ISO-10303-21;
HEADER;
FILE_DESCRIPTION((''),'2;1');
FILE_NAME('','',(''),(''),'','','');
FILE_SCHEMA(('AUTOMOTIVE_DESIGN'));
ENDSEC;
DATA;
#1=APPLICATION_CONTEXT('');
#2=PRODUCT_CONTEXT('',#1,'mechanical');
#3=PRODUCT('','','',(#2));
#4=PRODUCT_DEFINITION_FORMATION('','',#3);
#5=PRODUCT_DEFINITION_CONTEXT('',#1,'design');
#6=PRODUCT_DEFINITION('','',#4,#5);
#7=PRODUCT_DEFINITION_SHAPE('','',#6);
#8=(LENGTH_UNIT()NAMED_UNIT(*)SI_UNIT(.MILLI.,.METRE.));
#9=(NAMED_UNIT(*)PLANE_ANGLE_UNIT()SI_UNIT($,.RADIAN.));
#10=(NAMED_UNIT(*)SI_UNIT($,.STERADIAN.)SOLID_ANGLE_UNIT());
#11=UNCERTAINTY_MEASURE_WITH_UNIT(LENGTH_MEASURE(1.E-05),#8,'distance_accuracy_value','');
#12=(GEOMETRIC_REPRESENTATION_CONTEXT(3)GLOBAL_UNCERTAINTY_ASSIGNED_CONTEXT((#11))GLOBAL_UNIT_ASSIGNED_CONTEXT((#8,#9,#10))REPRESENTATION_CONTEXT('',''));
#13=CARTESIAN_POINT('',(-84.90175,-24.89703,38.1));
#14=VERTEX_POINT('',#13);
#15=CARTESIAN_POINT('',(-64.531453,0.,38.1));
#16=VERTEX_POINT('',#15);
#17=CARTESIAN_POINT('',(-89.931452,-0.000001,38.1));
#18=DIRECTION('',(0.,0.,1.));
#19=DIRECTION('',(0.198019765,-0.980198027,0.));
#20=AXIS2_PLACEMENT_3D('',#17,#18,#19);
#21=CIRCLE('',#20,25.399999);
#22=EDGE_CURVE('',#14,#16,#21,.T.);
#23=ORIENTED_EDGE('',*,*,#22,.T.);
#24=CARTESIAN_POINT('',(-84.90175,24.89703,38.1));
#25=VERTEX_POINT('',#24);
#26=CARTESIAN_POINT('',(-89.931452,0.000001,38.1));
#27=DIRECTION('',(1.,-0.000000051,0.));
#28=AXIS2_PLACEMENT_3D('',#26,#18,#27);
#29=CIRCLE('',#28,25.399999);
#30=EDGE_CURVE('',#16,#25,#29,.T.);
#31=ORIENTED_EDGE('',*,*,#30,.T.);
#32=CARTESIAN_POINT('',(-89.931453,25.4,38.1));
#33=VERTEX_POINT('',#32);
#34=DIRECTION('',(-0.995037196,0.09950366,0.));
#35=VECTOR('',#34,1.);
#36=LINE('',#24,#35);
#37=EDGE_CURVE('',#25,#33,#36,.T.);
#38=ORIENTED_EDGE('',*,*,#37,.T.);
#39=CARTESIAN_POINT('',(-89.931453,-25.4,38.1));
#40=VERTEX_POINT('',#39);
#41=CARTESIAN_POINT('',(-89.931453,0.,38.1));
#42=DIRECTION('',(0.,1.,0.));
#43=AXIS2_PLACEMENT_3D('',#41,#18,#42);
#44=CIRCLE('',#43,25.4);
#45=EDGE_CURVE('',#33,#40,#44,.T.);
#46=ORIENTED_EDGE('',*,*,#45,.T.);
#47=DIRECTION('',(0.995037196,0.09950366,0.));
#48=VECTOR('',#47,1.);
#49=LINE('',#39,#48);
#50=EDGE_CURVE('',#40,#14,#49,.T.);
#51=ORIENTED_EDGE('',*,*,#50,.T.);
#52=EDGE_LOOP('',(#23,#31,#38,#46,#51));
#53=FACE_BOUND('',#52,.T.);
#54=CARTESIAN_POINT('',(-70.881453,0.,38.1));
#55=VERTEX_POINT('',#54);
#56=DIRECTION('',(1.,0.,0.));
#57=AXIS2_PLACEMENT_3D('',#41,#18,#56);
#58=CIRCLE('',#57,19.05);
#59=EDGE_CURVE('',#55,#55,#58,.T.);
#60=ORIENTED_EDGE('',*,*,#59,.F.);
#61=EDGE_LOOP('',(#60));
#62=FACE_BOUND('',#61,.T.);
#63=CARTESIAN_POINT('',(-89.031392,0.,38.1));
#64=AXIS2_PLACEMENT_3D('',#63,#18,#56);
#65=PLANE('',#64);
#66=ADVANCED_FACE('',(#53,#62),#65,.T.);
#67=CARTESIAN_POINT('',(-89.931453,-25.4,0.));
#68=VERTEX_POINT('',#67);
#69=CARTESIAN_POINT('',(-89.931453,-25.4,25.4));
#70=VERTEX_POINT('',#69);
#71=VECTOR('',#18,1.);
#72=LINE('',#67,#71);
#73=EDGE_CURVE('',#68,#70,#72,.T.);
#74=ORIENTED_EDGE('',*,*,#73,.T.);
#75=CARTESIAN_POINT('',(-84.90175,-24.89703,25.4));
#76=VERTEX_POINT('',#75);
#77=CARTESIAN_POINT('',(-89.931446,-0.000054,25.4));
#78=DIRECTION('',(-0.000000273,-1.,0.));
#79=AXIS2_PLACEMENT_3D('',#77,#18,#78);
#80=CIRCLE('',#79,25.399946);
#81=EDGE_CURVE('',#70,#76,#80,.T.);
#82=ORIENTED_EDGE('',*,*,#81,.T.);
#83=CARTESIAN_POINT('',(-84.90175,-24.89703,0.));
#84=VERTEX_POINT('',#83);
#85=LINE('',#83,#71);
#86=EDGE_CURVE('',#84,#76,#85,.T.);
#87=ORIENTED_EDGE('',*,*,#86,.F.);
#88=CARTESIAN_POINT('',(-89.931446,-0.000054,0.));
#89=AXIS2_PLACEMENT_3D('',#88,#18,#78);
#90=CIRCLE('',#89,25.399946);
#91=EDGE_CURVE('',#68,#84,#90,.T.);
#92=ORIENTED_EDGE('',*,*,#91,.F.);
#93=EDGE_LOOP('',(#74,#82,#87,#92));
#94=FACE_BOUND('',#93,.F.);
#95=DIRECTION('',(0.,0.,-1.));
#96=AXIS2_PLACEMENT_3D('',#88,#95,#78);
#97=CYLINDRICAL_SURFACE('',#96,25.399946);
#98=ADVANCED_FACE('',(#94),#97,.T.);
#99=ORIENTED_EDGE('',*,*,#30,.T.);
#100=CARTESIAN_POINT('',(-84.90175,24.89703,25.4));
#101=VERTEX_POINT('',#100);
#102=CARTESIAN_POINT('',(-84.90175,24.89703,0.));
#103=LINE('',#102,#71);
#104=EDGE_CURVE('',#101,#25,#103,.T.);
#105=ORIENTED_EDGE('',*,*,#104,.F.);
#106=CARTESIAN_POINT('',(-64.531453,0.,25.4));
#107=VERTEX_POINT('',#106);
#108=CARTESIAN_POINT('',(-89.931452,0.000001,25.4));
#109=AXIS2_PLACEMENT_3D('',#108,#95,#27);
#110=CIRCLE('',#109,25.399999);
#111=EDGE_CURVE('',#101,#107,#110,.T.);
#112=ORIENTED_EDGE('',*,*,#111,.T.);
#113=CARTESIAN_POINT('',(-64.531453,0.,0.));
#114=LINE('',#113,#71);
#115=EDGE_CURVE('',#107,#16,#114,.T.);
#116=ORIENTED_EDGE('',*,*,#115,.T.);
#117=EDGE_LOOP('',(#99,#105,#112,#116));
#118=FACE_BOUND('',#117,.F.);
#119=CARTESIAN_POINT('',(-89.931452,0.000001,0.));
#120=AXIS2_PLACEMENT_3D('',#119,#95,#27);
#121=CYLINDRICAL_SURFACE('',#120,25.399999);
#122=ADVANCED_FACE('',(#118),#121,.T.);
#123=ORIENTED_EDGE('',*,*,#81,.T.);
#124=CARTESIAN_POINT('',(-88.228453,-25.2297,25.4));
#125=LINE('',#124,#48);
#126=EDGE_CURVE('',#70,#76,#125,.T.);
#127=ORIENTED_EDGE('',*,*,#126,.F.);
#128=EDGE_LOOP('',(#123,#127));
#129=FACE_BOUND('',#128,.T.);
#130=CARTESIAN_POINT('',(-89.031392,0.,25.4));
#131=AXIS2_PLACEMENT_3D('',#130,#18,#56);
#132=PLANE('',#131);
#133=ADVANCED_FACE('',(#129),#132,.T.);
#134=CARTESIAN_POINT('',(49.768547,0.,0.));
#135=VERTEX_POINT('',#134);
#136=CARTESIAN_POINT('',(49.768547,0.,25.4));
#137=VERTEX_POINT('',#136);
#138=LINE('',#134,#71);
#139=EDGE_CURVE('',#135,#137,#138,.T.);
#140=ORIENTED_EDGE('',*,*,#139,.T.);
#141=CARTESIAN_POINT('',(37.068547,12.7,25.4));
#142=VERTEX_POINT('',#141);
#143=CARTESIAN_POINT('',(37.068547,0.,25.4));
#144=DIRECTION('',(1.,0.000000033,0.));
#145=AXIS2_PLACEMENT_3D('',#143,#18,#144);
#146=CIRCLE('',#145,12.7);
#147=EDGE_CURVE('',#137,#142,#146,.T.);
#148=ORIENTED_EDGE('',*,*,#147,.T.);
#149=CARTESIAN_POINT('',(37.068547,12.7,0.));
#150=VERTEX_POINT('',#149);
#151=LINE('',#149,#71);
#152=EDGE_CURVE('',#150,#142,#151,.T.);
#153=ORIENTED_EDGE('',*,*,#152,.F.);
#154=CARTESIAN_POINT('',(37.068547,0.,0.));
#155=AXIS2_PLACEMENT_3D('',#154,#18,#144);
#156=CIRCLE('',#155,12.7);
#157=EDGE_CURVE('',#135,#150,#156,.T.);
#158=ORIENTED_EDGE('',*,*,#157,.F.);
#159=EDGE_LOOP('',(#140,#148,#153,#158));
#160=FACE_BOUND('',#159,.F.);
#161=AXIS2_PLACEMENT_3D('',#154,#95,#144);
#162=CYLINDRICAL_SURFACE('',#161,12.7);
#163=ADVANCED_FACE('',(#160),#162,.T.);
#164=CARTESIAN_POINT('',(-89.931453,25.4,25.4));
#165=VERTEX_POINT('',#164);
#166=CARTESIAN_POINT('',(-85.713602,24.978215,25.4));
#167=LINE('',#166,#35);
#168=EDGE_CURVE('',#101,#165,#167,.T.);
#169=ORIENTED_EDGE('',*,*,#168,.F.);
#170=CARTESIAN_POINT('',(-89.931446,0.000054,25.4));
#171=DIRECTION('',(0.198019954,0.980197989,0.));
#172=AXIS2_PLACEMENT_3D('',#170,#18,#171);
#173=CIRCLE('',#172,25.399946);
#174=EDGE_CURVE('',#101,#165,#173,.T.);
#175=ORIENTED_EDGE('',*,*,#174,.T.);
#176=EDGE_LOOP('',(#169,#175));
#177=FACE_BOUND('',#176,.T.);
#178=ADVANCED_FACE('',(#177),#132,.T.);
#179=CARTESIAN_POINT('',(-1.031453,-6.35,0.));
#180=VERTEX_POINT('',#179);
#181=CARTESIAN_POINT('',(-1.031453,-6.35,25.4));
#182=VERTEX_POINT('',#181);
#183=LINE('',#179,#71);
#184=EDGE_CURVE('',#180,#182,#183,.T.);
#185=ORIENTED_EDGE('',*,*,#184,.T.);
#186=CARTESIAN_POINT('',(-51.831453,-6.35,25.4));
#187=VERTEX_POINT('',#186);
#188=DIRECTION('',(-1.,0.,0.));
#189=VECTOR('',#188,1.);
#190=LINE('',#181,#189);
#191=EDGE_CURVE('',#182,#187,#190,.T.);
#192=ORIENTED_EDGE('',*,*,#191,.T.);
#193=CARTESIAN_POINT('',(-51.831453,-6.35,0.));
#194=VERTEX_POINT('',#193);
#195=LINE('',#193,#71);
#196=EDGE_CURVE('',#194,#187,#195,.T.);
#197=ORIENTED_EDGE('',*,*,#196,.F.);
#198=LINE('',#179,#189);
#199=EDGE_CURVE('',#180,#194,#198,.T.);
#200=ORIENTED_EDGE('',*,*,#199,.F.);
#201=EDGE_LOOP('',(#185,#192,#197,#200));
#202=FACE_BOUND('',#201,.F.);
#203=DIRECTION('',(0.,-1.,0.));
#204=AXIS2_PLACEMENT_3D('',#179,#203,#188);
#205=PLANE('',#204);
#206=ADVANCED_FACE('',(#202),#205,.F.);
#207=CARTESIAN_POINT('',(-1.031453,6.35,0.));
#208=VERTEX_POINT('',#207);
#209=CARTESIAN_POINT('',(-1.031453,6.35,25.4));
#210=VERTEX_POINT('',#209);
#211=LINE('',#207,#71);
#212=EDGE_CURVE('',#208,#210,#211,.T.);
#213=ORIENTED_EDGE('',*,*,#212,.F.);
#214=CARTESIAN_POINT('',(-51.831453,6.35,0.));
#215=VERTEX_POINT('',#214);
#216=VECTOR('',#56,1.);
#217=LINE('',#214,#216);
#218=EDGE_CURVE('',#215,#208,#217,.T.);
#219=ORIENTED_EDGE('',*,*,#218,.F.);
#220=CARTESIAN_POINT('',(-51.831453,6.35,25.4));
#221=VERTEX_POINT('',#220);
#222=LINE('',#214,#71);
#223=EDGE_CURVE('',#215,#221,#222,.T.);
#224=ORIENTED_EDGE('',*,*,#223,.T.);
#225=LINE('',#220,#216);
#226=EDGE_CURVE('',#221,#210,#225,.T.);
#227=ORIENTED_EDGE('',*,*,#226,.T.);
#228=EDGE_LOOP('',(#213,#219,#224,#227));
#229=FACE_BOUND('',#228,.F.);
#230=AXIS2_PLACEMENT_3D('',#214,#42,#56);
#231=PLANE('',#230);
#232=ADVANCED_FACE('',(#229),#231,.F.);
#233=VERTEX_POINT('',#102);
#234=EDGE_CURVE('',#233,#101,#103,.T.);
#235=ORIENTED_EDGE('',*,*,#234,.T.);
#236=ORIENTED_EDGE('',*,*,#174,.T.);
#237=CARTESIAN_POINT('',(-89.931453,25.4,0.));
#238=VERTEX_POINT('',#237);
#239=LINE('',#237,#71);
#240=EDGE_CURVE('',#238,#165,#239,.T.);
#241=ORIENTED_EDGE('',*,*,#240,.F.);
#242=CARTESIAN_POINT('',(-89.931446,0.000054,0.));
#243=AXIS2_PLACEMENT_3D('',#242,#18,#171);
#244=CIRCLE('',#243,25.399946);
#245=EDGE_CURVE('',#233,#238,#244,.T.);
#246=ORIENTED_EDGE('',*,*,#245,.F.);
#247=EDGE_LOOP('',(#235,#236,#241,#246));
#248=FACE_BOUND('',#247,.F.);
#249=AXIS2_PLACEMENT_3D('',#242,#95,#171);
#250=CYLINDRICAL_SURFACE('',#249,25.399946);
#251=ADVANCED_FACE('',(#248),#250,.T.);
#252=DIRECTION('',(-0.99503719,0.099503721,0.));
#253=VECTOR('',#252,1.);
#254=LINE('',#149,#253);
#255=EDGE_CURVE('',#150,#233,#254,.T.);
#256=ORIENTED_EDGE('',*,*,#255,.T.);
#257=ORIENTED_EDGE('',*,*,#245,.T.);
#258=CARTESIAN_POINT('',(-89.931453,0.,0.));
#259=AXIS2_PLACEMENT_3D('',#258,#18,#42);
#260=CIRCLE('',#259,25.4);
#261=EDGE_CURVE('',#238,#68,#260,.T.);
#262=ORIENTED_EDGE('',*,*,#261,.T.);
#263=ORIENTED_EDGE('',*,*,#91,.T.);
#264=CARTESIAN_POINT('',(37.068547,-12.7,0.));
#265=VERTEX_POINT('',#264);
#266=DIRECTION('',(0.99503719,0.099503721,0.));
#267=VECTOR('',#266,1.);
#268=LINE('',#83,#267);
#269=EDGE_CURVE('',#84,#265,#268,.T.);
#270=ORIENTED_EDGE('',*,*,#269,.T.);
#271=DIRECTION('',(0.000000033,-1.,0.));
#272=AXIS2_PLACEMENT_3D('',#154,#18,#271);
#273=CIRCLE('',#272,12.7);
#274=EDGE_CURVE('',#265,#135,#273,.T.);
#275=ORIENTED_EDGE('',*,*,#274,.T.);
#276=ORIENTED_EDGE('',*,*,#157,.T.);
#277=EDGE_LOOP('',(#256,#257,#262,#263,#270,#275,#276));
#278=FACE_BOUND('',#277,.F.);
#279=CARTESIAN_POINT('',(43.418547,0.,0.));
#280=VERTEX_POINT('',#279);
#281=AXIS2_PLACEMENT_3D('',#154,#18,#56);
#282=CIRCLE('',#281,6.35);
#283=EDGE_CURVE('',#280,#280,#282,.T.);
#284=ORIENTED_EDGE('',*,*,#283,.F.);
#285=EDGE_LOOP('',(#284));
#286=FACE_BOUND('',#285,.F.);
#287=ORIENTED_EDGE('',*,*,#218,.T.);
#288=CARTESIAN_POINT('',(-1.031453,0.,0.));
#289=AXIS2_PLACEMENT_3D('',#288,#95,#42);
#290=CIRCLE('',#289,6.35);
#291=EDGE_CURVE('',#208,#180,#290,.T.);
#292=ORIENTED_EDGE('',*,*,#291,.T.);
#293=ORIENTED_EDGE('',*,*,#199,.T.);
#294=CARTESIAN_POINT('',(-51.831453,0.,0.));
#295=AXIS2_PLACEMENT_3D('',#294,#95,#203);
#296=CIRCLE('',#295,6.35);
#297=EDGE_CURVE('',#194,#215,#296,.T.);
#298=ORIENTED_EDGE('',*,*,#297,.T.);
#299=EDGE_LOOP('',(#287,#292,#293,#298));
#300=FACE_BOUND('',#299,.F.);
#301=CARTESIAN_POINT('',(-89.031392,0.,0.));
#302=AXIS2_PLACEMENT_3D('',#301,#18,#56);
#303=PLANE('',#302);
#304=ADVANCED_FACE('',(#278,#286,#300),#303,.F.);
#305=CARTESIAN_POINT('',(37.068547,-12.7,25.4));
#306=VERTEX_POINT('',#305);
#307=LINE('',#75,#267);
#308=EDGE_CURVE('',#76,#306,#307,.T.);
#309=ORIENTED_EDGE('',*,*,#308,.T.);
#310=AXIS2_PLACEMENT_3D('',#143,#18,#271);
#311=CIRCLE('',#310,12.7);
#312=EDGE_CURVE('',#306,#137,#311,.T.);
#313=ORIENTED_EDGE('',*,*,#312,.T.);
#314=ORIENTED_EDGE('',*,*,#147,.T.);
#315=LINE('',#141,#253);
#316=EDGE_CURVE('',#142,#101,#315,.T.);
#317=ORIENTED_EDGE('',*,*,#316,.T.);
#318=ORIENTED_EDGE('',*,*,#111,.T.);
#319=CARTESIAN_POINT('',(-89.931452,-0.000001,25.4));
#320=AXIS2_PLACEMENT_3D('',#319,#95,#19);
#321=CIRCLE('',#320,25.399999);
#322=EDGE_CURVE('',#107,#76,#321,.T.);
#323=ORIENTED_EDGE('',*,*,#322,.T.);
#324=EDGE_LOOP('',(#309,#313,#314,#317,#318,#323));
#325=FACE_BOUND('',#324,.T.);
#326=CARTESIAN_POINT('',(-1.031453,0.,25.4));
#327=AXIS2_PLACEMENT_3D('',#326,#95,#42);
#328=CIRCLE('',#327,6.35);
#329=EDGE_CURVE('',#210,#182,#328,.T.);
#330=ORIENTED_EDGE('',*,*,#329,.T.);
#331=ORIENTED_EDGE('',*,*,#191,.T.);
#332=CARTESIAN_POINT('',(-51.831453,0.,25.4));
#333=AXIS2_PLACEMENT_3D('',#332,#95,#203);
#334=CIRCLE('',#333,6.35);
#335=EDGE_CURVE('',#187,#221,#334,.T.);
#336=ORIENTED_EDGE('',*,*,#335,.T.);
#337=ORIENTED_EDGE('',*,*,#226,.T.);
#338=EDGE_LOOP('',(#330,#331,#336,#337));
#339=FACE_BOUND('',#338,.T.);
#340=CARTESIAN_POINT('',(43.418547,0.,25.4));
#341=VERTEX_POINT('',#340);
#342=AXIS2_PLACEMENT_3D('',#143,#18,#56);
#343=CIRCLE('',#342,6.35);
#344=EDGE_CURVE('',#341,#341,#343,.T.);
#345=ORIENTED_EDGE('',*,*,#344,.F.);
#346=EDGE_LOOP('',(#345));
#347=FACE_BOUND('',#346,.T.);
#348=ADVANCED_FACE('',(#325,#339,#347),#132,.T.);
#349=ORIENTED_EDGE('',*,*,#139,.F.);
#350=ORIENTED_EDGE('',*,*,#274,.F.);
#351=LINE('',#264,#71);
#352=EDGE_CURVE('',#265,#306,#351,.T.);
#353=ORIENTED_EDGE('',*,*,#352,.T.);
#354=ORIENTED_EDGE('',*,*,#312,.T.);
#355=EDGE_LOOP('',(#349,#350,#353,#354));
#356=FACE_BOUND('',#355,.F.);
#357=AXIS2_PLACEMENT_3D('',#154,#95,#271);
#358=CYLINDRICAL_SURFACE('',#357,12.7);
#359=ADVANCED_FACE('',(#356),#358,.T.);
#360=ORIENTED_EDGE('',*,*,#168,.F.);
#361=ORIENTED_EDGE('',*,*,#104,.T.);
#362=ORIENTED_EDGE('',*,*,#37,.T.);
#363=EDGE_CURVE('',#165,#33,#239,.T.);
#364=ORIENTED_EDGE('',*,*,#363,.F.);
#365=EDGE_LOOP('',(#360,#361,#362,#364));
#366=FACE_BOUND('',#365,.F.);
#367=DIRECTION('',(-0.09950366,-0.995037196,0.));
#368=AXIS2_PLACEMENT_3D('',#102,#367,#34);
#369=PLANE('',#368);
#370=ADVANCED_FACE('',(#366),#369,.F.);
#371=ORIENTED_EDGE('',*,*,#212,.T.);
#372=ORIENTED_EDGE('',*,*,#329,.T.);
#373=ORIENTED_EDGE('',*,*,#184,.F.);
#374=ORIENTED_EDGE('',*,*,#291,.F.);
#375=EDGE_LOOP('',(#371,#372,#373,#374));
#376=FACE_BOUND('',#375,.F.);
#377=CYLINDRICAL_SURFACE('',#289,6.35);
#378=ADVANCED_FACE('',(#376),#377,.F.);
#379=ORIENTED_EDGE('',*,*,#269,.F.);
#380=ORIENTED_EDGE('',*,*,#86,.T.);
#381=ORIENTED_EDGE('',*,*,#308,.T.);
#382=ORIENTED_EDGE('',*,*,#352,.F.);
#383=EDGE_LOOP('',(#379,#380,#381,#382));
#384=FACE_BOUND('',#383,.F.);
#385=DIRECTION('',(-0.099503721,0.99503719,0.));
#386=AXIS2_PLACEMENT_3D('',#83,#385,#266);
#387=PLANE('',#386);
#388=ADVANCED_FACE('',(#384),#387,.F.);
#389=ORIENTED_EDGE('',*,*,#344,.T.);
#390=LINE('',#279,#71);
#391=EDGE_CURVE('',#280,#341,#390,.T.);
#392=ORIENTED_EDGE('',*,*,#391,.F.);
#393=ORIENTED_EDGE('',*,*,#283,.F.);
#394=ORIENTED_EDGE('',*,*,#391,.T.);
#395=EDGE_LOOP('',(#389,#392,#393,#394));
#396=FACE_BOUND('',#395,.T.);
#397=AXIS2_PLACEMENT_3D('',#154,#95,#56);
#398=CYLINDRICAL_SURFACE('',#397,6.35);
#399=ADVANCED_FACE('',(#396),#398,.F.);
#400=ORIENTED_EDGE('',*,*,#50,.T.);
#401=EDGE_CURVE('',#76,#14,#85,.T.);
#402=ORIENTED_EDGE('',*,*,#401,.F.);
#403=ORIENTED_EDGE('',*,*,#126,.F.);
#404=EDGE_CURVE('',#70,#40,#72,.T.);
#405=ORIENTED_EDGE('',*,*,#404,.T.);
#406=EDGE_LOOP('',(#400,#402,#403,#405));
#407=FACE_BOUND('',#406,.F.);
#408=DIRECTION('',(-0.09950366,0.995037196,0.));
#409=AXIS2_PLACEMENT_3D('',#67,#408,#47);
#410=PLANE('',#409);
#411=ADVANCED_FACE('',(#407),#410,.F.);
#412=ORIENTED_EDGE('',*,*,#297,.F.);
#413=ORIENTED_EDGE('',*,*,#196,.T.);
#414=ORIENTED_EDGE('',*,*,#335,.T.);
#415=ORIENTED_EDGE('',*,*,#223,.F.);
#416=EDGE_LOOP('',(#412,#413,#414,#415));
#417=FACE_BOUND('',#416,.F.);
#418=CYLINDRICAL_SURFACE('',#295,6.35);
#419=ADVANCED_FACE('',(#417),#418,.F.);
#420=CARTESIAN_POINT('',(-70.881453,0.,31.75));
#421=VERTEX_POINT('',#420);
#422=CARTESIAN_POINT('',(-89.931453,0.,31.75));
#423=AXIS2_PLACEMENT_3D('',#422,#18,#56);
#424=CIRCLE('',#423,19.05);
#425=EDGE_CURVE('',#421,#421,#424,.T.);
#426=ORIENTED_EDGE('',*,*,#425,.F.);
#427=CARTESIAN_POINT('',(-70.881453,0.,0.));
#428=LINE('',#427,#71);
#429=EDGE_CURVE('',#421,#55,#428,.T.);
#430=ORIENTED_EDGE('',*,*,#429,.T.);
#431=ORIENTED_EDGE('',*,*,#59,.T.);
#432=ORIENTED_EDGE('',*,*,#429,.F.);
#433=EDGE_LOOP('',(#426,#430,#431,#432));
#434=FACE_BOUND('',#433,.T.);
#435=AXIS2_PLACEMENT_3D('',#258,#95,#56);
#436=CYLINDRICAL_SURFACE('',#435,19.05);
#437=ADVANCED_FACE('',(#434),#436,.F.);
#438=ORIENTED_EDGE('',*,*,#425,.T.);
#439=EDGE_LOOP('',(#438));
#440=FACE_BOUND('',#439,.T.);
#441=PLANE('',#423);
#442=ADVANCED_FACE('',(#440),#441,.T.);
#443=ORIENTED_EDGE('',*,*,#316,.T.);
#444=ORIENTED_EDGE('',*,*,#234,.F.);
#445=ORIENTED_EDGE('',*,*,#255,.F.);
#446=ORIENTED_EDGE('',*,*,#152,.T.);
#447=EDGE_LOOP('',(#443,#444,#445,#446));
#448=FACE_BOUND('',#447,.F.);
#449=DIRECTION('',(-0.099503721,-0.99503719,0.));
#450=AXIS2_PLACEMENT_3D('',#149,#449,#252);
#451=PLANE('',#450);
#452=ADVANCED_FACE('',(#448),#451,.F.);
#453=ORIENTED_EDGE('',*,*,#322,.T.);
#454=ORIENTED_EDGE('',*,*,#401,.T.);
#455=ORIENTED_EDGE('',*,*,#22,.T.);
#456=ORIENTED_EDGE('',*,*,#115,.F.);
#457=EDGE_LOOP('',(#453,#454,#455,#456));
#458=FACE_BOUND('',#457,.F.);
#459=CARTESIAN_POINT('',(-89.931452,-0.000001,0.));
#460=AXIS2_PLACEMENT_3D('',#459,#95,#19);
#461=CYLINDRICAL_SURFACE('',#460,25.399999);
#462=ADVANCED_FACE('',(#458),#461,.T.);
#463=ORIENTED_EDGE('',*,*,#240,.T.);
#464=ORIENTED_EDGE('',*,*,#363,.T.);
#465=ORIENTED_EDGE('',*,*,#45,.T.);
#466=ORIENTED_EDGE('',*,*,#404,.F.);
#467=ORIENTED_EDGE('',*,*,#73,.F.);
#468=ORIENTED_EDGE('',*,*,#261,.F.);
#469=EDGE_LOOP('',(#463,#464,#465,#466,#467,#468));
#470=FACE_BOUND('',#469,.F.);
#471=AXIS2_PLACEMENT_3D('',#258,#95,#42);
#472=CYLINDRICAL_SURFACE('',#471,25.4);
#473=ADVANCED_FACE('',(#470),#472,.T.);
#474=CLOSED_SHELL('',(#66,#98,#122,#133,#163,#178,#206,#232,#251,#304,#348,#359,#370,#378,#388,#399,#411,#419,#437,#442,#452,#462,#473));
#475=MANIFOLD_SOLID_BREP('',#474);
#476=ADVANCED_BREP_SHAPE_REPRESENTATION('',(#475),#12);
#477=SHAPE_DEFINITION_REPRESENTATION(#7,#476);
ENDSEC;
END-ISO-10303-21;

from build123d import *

# Parameters (mm, degrees)
F0_R     = 19.05
F1_DEPTH = 38.1
F2_DEPTH = 31.75
F0_R_2   = 6.35
F3_DEPTH = 25.4


with BuildPart() as f1:
    # F0 (on Top) → F1 (new body)
    with BuildSketch(Plane.XY):
        with BuildLine():
            Line((-84.90175, 24.89703), (-89.931453, 25.4))
            ThreePointArc((-89.931453, 25.4), (-115.331453, 0), (-89.931453, -25.4))
            Line((-89.931453, -25.4), (-84.90175, -24.89703))
            ThreePointArc((-84.90175, -24.89703), (-70.272937, -16.08424), (-64.531453, 0))
            ThreePointArc((-64.531453, 0), (-70.272937, 16.08424), (-84.90175, 24.89703))
        make_face()
        with Locations((-89.931453, 0)):
            Circle(F0_R, mode=Mode.SUBTRACT)
    extrude(amount=F1_DEPTH)

    # F0 (on Top) → F2 (join)
    with BuildSketch(Plane.XY):
        with Locations((-89.931453, 0)):
            Circle(F0_R)
    extrude(amount=F2_DEPTH)

    # F0 (on Top) → F3 (join)
    with BuildSketch(Plane.XY):
        with BuildLine():
            Line((-84.90175, 24.89703), (-89.931453, 25.4))
            ThreePointArc((-89.931453, 25.4), (-115.331453, 0), (-89.931453, -25.4))
            Line((-89.931453, -25.4), (-84.90175, -24.89703))
            ThreePointArc((-84.90175, -24.89703), (-70.272937, -16.08424), (-64.531453, 0))
            ThreePointArc((-64.531453, 0), (-70.272937, 16.08424), (-84.90175, 24.89703))
        make_face()
        with Locations((-89.931453, 0)):
            Circle(F0_R, mode=Mode.SUBTRACT)
        with BuildLine():
            ThreePointArc((-84.90175, 24.89703), (-87.404058, 25.273945), (-89.931453, 25.4))
            Line((-89.931453, 25.4), (-84.90175, 24.89703))
        make_face()
        with BuildLine():
            Line((-84.90175, -24.89703), (-89.931453, -25.4))
            ThreePointArc((-89.931453, -25.4), (-87.404058, -25.273945), (-84.90175, -24.89703))
        make_face()
        with BuildLine():
            Line((37.068547, 12.7), (-84.90175, 24.89703))
            ThreePointArc((-84.90175, 24.89703), (-70.272937, 16.08424), (-64.531453, 0))
            ThreePointArc((-64.531453, 0), (-70.272937, -16.08424), (-84.90175, -24.89703))
            Line((-84.90175, -24.89703), (37.068547, -12.7))
            ThreePointArc((37.068547, -12.7), (24.368547, 0), (37.068547, 12.7))
        make_face()
        with BuildLine():
            ThreePointArc((-51.831453, -6.35), (-58.181453, 0), (-51.831453, 6.35))
            Line((-51.831453, 6.35), (-1.031453, 6.35))
            ThreePointArc((-1.031453, 6.35), (5.318547, 0), (-1.031453, -6.35))
            Line((-1.031453, -6.35), (-51.831453, -6.35))
        make_face(mode=Mode.SUBTRACT)
        with BuildLine():
            ThreePointArc((49.768547, 0), (46.048803, 8.980256), (37.068547, 12.7))
            ThreePointArc((37.068547, 12.7), (24.368547, 0), (37.068547, -12.7))
            ThreePointArc((37.068547, -12.7), (46.048803, -8.980256), (49.768547, 0))
        make_face()
        with Locations((37.068547, 0)):
            Circle(F0_R_2, mode=Mode.SUBTRACT)
    extrude(amount=F3_DEPTH)


solid = f1.part
